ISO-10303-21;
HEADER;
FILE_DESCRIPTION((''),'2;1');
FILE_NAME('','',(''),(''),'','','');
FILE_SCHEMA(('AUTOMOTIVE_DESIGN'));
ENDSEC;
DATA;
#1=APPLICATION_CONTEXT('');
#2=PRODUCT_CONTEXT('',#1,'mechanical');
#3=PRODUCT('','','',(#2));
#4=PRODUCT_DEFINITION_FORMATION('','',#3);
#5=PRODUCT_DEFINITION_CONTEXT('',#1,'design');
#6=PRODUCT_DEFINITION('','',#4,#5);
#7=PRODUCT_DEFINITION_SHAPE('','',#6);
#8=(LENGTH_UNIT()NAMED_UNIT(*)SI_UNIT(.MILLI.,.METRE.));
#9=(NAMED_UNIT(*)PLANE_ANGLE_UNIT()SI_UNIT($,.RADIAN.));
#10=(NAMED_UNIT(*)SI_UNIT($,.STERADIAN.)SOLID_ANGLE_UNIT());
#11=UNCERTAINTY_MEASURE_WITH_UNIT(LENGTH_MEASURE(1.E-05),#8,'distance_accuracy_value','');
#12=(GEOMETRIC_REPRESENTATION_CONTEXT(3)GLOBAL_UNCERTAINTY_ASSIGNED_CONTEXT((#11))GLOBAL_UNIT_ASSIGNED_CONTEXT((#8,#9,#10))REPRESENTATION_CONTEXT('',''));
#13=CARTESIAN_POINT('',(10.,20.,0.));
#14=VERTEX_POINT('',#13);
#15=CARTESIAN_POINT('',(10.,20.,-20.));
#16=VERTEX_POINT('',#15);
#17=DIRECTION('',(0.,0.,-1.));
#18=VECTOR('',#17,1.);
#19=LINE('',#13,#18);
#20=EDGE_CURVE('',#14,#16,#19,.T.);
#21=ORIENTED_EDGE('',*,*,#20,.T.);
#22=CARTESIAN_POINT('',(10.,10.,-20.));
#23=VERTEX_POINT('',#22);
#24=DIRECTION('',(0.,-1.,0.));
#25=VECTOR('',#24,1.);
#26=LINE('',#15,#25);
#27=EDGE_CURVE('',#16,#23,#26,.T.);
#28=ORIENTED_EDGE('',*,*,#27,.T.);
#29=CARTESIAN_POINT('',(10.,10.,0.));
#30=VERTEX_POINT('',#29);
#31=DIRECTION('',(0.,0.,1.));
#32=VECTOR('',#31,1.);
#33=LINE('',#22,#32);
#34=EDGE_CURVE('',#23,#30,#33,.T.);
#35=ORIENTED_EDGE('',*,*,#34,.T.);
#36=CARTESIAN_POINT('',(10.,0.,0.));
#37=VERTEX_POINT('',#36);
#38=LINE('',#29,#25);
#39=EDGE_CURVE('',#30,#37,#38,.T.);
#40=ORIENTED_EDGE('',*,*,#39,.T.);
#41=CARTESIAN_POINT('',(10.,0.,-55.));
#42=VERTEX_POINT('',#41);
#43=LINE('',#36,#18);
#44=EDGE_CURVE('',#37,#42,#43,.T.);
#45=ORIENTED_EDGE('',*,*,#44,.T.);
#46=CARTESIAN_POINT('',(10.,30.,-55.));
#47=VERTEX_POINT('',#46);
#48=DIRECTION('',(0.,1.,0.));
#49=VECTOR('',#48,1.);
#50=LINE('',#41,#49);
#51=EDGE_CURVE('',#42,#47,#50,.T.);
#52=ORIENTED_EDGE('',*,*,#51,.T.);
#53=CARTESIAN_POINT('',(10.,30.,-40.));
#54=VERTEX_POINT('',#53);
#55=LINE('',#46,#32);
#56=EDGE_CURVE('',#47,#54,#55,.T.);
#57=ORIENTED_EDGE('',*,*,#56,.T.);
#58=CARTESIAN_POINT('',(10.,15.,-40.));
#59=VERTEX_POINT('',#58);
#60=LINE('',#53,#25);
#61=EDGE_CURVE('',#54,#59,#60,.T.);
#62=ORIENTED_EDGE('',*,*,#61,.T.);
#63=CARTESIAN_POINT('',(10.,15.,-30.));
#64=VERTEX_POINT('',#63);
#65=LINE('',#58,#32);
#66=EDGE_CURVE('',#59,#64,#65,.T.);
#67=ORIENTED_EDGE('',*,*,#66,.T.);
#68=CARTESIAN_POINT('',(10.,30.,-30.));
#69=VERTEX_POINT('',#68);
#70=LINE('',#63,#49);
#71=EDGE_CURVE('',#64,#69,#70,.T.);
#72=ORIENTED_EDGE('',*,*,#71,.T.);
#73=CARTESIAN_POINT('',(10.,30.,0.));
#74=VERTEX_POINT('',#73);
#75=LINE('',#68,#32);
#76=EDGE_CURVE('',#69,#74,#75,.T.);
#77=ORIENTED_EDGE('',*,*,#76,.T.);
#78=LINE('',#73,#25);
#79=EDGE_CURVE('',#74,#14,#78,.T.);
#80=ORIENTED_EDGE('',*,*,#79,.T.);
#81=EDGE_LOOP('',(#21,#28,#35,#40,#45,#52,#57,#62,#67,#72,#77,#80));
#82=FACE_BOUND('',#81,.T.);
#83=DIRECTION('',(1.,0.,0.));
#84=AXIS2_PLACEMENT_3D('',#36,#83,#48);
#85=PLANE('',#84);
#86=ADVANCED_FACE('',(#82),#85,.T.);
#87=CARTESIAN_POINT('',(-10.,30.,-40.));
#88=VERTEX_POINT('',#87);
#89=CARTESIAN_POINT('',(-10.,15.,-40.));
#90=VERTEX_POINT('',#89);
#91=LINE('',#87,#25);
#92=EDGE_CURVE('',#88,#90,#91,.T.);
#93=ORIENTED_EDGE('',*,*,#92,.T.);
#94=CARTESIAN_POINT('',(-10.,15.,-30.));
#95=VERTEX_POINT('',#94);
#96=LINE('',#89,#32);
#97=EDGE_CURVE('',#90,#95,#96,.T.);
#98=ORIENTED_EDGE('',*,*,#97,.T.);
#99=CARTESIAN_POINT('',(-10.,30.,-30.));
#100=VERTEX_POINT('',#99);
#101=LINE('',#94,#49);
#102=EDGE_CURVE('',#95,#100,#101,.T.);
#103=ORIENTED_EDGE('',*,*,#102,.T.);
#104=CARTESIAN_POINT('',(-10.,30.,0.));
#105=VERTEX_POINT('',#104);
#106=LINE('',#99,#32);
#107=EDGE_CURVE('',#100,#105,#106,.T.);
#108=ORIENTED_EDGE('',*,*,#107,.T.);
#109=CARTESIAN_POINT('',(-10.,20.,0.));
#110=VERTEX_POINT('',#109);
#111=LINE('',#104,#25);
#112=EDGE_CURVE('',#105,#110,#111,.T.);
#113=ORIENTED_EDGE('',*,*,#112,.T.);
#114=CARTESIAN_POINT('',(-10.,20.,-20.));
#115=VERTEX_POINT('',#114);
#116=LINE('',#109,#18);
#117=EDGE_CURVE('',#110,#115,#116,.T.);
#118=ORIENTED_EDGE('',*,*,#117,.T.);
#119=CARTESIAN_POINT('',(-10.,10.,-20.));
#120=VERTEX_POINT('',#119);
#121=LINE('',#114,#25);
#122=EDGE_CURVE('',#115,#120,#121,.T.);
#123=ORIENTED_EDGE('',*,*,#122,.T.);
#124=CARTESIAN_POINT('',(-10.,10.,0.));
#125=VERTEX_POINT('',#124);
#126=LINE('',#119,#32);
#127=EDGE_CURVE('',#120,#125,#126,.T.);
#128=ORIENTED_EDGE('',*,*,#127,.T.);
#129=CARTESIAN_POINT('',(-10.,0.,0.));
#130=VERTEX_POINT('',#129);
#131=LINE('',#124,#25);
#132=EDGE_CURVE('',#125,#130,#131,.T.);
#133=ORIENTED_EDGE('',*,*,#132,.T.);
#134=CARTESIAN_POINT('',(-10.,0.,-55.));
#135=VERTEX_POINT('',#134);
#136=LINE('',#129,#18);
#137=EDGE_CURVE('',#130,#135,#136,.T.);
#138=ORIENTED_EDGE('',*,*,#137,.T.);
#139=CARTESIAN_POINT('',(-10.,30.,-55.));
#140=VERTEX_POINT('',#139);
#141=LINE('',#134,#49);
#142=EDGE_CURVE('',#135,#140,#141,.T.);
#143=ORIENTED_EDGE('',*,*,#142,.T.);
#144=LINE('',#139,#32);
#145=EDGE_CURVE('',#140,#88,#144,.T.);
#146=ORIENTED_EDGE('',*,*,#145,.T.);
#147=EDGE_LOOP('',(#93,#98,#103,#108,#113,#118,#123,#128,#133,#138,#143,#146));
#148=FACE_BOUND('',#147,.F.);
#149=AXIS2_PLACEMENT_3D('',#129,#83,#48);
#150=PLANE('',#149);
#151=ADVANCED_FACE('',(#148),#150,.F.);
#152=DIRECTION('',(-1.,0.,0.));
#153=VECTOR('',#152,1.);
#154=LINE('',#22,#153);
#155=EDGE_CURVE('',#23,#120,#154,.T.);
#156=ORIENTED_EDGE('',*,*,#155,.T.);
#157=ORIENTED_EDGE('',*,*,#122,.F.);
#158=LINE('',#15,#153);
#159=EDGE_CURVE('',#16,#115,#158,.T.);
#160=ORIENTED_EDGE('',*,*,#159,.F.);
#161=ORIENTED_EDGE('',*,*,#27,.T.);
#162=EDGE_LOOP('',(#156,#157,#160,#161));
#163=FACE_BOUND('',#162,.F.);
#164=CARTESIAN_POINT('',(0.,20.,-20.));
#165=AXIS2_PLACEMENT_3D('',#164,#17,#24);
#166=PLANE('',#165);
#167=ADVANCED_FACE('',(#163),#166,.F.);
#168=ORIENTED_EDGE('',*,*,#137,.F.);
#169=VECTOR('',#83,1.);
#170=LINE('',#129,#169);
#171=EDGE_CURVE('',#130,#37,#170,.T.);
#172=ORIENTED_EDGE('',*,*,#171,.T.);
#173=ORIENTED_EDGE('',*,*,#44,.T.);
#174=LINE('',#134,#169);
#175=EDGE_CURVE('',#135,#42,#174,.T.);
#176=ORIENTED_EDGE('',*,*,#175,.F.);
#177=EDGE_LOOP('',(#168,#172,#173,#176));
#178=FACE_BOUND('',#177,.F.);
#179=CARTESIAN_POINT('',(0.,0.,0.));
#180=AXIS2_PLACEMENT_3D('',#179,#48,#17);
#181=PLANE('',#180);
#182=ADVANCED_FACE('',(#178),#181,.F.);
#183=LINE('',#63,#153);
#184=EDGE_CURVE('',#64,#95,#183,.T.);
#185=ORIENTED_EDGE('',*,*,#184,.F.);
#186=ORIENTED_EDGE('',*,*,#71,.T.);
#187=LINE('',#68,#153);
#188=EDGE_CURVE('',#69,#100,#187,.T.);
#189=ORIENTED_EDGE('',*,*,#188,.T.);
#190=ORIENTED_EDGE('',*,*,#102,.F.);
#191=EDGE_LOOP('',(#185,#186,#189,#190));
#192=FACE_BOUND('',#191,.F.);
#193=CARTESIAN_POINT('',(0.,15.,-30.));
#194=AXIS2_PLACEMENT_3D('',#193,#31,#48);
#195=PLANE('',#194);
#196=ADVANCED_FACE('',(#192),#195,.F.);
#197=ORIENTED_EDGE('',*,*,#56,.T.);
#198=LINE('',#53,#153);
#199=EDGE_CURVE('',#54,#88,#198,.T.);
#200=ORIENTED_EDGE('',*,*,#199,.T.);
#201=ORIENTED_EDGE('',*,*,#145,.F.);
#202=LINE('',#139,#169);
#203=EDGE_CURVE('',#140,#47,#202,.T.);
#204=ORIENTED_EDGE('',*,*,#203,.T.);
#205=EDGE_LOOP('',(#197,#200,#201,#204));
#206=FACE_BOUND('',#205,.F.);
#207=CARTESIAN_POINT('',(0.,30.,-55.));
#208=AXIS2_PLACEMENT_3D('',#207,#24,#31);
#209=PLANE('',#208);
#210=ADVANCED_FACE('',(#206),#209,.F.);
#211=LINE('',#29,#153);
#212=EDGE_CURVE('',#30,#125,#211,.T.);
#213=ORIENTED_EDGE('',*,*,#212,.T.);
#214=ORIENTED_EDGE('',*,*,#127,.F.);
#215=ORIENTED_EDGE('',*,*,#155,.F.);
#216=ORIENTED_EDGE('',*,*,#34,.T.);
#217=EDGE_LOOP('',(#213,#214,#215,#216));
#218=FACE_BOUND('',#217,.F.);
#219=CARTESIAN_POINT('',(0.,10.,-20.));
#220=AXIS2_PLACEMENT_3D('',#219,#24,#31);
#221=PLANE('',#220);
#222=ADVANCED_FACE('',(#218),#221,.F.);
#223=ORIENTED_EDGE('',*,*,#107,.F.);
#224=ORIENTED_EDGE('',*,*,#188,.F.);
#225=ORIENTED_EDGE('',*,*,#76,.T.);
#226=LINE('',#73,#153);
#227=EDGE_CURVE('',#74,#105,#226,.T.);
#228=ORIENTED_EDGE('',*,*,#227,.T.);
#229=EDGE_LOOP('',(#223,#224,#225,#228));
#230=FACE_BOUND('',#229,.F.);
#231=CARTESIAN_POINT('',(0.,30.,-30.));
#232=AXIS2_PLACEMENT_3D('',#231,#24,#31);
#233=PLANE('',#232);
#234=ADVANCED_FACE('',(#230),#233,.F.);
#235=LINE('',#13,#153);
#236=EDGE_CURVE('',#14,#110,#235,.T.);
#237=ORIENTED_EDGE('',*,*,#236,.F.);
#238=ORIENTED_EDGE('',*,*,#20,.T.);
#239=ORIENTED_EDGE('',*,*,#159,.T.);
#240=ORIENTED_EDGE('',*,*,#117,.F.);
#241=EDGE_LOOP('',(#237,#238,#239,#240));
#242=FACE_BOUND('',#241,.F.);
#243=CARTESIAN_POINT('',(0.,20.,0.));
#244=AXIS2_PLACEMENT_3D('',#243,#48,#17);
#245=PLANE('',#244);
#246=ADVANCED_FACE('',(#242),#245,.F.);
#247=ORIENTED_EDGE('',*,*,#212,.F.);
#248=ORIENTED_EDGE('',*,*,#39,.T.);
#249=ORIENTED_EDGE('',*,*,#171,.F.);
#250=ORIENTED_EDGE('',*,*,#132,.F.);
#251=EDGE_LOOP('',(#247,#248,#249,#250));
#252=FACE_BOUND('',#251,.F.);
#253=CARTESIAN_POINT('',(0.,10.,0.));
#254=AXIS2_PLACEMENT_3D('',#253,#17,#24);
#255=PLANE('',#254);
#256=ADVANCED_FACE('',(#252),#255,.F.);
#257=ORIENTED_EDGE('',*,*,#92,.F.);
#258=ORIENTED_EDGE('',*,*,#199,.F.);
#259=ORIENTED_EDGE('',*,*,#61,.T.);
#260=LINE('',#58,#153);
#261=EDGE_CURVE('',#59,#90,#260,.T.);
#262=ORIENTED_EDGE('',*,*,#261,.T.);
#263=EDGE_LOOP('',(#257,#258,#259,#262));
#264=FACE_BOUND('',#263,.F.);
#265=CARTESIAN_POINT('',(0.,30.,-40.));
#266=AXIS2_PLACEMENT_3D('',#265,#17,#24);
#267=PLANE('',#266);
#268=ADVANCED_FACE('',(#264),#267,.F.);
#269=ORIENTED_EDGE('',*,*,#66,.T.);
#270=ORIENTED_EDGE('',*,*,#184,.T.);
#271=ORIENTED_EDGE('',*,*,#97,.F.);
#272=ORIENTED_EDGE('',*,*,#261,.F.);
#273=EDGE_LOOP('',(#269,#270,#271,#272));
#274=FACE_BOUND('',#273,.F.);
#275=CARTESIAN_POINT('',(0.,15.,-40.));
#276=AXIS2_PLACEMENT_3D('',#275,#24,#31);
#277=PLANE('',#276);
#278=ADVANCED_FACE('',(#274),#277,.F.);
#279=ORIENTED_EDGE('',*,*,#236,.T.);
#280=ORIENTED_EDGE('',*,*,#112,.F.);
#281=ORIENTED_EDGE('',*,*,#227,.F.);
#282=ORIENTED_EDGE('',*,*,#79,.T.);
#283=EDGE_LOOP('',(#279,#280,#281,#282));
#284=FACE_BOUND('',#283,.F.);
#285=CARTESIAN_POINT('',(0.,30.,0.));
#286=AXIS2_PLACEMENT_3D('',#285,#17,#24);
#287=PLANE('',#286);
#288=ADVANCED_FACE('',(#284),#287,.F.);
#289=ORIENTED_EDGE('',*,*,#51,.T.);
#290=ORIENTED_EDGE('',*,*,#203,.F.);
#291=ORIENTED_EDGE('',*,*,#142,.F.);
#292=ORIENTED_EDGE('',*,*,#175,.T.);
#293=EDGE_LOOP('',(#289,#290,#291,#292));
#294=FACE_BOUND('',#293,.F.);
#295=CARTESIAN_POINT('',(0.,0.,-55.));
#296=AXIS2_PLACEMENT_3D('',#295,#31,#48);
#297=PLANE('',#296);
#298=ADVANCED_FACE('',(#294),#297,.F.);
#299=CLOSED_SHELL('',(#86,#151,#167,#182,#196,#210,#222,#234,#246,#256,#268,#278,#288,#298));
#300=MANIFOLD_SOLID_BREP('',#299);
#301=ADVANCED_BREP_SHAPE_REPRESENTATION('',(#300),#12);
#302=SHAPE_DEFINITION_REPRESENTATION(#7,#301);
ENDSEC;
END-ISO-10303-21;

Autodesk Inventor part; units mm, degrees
ref_plane "YZ Plane" through (0, 0, 0) normal (1, 0, 0) x (0, 1, 0)
ref_plane "XZ Plane" through (0, 0, 0) normal (0, 1, 0) x (-1, 0, 0)
ref_plane "XY Plane" through (0, 0, 0) normal (0, 0, 1) x (1, 0, 0)
sketch "Sketch1" plane through (0, 0, 0) normal (1, 0, 0) x (0, 1, 0)
  line L0 (0, 0) -> (0, -55)
  line L1 (0, -55) -> (30, -55)
  line L2 (30, -55) -> (30, -40)
  line L3 (30, -40) -> (15, -40)
  line L4 (15, -40) -> (15, -30)
  line L5 (15, -30) -> (30, -30)
  line L6 (30, -30) -> (30, 0)
  line L7 (30, 0) -> (20, 0)
  line L8 (20, 0) -> (20, -20)
  line L9 (20, -20) -> (10, -20)
  line L10 (10, -20) -> (10, 0)
  line L11 (10, 0) -> (0, 0)
  dimension "d0" = 55
  dimension "d1" = 30
  dimension "d2" = 15
  dimension "d3" = 15
  dimension "d4" = 10
  dimension "d5" = 15
  dimension "d6" = 30
  dimension "d7" = 10
  dimension "d8" = 20
  dimension "d9" = 10
extrude "Extrusion1" add sketch "Sketch1" along normal mid plane 20
properties part number "desenho 2,"
